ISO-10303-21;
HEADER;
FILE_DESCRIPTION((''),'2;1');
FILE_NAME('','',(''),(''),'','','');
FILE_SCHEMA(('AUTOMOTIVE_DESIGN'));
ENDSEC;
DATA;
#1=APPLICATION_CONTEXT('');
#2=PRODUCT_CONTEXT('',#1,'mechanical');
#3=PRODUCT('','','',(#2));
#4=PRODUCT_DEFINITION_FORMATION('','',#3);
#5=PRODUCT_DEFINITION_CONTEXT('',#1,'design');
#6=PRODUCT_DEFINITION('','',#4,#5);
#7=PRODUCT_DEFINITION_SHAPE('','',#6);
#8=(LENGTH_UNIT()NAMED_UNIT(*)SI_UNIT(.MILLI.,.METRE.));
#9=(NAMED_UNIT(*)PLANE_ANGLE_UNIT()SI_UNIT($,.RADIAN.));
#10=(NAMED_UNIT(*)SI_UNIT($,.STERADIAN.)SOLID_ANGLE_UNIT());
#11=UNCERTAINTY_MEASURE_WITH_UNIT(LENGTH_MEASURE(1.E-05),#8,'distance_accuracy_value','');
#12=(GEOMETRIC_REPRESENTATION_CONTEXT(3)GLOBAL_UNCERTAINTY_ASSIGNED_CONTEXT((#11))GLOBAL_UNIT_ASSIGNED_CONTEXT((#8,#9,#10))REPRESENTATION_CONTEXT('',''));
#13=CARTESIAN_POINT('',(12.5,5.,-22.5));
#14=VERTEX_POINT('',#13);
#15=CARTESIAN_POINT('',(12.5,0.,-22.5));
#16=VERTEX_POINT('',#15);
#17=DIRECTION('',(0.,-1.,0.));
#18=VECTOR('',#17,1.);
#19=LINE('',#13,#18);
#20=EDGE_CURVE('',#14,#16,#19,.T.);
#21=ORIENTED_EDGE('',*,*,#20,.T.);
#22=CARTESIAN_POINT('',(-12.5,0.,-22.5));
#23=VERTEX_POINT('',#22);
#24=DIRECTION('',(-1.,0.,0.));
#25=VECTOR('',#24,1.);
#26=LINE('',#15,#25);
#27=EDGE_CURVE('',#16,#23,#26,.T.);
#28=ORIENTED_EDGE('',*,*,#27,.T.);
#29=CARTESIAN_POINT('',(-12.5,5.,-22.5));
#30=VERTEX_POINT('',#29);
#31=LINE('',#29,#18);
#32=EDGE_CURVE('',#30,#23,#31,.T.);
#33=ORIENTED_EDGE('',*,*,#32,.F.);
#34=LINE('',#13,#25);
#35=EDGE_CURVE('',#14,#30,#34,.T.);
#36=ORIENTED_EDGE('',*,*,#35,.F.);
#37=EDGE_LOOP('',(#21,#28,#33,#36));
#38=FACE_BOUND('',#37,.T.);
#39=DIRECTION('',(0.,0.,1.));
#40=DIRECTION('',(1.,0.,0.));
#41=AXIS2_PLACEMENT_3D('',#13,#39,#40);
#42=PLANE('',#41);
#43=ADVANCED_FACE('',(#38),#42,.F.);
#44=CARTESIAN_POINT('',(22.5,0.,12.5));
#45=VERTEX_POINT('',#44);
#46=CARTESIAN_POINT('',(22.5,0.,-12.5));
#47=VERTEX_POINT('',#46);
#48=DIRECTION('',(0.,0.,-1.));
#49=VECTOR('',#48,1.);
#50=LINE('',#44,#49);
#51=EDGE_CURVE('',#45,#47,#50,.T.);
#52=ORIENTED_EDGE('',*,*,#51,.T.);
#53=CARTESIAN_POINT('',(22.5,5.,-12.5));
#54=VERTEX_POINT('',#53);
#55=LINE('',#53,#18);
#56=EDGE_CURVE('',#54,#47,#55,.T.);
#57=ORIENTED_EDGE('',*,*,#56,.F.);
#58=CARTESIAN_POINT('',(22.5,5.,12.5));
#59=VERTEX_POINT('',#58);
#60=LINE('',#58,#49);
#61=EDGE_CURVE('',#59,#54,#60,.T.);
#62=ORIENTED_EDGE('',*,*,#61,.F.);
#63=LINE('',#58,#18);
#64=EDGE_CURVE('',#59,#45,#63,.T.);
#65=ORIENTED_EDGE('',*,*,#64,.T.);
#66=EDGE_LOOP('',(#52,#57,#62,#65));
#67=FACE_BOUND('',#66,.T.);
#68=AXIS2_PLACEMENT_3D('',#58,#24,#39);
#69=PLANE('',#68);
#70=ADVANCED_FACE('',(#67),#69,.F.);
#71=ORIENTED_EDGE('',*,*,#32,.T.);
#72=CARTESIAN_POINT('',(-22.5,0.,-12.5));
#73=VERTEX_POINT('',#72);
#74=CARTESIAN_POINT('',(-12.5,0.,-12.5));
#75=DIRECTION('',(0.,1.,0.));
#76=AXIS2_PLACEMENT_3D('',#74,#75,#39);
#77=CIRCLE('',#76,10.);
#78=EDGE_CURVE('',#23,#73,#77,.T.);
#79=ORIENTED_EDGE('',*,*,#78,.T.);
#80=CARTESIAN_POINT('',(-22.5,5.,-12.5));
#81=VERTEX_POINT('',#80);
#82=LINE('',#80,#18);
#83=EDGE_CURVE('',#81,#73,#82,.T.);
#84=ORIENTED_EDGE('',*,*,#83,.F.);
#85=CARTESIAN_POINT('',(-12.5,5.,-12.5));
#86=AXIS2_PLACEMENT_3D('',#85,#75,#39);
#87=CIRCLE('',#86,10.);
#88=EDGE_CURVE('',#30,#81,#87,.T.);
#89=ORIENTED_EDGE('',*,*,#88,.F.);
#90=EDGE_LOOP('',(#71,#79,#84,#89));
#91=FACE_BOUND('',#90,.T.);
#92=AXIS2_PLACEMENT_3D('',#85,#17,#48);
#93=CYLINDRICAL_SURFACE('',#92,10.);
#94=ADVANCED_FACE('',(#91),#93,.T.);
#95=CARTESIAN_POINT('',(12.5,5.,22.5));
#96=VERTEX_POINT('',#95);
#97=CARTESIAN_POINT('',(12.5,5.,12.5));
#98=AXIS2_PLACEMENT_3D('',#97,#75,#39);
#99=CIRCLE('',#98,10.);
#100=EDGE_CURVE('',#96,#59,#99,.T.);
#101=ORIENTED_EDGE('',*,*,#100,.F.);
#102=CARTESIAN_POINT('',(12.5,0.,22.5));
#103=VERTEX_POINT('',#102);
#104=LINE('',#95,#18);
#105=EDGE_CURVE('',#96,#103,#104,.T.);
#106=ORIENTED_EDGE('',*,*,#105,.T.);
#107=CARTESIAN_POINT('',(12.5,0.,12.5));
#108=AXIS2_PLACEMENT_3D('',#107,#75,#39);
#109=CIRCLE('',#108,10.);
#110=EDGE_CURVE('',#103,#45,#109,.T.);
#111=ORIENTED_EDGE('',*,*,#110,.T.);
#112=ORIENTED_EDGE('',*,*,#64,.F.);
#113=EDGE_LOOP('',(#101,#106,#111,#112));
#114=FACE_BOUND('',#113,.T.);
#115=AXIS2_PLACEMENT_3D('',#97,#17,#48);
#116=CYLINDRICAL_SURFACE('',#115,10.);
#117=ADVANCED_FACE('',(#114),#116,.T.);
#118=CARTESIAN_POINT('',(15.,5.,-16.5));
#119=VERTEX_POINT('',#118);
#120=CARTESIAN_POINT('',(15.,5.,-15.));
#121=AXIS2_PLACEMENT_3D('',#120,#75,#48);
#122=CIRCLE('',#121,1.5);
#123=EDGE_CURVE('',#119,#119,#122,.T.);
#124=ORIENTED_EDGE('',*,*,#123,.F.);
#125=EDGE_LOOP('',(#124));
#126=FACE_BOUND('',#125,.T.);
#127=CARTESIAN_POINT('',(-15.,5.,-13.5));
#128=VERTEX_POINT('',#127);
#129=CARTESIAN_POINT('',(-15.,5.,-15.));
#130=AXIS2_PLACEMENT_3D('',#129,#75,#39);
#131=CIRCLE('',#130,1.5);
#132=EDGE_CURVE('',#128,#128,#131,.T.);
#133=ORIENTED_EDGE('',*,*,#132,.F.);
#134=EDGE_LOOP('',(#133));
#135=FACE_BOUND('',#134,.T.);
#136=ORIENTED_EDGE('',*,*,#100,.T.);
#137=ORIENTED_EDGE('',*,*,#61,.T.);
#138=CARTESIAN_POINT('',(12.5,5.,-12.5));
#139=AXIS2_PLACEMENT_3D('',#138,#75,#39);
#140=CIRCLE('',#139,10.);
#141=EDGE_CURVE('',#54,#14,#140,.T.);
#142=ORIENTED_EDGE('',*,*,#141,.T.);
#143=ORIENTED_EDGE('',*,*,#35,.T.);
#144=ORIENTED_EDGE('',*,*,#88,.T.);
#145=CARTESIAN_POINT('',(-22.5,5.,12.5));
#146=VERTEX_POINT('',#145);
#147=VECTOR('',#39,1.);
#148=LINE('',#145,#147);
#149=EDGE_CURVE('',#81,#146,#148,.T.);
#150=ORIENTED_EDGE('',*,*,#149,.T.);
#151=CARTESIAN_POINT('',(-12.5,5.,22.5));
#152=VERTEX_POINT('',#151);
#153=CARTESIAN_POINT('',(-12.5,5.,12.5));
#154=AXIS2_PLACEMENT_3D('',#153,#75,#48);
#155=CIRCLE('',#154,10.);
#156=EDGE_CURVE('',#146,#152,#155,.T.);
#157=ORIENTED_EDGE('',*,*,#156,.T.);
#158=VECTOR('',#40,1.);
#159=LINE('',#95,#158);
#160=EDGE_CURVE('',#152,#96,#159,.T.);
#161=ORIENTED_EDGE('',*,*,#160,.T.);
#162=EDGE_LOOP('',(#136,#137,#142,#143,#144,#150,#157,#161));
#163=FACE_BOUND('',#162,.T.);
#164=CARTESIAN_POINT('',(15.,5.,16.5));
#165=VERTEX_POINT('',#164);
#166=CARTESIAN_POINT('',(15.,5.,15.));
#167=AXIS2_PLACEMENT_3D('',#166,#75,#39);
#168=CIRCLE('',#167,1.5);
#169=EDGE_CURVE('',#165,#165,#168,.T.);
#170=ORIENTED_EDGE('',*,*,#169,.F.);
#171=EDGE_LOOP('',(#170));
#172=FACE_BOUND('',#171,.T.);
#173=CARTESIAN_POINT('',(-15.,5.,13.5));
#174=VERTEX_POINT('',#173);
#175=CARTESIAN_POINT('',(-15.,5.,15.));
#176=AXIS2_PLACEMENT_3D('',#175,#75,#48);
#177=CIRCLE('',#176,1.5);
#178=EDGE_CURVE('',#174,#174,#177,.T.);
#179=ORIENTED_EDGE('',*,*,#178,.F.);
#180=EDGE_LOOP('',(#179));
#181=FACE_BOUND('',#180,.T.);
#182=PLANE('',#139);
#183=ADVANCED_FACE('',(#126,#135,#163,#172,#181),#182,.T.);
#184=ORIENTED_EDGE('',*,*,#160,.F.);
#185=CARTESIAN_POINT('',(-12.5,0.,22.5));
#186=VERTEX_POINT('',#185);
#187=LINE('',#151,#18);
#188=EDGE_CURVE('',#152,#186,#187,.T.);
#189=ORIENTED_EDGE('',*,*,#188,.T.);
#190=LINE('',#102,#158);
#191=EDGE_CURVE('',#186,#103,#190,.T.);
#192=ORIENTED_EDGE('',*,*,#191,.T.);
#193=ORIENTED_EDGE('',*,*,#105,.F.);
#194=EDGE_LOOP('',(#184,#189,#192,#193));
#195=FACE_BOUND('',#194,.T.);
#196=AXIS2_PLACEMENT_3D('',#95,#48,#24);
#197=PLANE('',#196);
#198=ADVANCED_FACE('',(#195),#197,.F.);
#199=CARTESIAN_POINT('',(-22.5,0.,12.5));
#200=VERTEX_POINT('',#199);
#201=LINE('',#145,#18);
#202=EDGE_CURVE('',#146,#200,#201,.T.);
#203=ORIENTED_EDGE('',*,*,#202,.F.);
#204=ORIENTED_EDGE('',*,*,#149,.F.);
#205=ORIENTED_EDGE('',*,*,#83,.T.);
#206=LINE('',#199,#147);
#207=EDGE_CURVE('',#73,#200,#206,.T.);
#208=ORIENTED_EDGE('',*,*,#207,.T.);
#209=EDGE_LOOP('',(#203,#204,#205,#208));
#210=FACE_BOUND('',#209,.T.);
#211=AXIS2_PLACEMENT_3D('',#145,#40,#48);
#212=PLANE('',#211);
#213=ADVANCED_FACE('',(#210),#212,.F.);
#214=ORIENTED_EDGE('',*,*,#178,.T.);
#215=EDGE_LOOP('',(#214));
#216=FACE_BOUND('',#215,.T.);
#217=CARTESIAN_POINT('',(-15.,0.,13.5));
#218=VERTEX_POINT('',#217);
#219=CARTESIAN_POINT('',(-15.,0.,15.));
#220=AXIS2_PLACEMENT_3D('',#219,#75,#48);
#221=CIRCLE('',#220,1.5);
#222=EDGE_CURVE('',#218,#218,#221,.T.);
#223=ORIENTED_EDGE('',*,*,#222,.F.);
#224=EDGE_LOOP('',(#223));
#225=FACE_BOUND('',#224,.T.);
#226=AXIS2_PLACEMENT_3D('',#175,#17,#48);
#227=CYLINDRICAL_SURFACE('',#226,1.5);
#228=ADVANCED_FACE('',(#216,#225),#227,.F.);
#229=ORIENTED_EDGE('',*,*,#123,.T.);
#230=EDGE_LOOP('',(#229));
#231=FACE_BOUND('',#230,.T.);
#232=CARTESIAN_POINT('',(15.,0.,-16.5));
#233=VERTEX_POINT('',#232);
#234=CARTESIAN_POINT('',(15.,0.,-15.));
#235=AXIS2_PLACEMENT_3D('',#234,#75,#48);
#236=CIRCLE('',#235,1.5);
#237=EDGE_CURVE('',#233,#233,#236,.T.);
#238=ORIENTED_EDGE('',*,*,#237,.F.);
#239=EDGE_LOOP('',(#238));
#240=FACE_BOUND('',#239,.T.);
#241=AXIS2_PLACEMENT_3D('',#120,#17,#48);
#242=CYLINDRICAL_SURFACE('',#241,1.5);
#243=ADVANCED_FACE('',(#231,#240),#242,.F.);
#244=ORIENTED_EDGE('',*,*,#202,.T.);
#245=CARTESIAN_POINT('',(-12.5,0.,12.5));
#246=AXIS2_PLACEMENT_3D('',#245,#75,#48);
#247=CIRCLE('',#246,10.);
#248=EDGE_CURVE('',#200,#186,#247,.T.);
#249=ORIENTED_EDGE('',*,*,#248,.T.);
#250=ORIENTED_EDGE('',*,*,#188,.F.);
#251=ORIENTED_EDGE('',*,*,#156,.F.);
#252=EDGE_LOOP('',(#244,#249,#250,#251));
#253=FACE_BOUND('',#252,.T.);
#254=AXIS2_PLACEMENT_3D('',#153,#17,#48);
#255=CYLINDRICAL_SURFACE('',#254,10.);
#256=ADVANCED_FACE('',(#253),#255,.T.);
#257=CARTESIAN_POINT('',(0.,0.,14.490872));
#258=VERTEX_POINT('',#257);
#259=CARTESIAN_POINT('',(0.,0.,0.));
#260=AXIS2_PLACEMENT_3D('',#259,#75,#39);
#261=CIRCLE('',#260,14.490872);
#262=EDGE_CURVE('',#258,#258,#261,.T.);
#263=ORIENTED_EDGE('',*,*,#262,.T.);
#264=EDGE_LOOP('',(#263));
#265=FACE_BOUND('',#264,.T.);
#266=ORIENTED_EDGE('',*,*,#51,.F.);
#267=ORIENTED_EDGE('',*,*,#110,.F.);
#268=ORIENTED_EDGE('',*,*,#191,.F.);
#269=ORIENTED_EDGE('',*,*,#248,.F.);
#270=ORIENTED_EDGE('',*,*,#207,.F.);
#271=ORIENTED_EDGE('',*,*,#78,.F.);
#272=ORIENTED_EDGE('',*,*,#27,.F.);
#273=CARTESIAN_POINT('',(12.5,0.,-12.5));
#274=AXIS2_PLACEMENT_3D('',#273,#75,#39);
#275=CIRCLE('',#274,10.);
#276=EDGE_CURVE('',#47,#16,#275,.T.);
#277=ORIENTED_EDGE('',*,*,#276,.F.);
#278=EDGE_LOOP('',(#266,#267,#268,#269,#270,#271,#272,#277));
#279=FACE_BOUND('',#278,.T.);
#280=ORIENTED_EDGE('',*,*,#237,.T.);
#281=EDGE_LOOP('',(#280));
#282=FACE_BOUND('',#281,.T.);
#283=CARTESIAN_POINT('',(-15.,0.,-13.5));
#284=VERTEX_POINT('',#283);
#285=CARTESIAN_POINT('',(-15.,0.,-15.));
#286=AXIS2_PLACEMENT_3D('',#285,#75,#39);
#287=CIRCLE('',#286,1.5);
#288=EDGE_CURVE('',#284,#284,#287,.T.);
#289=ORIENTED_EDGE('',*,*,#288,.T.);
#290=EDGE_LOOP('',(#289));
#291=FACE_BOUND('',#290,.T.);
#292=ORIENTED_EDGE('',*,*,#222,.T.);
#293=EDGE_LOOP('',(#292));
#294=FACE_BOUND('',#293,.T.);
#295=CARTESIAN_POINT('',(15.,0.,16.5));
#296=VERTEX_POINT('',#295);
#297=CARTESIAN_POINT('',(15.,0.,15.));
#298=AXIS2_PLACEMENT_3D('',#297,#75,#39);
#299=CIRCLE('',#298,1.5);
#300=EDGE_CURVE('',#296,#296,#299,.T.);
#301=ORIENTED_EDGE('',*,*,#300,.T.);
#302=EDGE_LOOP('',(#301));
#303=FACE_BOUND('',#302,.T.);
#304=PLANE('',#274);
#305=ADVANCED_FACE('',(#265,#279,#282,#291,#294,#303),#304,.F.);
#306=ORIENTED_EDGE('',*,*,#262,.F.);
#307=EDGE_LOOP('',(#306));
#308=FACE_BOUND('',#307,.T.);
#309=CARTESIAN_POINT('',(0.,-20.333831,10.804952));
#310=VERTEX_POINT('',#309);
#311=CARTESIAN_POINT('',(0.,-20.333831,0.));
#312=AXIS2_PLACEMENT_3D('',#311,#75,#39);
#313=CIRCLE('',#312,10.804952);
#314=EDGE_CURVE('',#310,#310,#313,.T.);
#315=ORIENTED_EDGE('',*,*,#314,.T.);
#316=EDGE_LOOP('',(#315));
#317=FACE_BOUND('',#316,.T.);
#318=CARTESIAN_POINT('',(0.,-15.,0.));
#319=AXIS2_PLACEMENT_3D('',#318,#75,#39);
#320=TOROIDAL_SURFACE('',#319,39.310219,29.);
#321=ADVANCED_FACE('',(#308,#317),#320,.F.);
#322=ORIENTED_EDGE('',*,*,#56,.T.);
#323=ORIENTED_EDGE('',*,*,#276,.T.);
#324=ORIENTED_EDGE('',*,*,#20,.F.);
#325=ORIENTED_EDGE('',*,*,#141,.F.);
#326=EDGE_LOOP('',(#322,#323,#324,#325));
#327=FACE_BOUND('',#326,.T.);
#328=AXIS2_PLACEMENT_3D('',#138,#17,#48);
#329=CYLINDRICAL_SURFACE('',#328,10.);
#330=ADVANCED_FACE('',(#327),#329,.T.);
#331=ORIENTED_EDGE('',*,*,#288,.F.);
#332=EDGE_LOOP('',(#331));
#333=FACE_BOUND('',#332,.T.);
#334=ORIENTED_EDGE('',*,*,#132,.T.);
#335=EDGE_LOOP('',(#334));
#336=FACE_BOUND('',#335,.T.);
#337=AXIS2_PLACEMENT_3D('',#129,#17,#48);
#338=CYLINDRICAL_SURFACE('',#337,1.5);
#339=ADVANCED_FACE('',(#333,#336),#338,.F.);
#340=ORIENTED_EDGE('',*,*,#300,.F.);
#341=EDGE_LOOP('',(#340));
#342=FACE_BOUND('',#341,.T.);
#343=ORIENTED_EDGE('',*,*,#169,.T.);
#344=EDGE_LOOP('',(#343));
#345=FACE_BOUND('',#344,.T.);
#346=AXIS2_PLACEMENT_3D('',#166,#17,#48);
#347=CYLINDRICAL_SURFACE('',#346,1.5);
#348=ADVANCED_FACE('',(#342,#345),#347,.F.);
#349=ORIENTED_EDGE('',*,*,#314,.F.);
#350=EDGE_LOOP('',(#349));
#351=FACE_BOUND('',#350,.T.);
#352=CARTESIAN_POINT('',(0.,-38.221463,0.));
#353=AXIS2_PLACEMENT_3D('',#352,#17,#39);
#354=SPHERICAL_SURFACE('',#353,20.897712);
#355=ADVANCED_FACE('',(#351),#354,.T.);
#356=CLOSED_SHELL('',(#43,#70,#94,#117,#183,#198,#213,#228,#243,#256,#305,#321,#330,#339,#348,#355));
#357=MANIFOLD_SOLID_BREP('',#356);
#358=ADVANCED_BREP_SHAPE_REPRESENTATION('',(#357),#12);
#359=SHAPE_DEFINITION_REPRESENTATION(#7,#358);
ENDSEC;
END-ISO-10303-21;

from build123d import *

# Parameters (mm, degrees)
SKETCH1_R           = 1.5
BOSS_EXTRUDE1_DEPTH = 5


with BuildPart() as part:
    # Sketch1 → Boss-Extrude1 (new body)
    with BuildSketch(Plane(origin=(0, 0, 0), x_dir=(1, 0, 0), z_dir=(0, 1, 0))):
        with BuildLine():
            Line((12.5, -22.5), (-12.5, -22.5))
            ThreePointArc((-12.5, -22.5), (-19.571067812, -19.571067812), (-22.5, -12.5))
            Line((-22.5, -12.5), (-22.5, 12.5))
            ThreePointArc((-22.5, 12.5), (-19.571067812, 19.571067812), (-12.5, 22.5))
            Line((-12.5, 22.5), (12.5, 22.5))
            ThreePointArc((12.5, 22.5), (19.571067812, 19.571067812), (22.5, 12.5))
            Line((22.5, 12.5), (22.5, -12.5))
            ThreePointArc((22.5, -12.5), (19.571067812, -19.571067812), (12.5, -22.5))
        make_face()
        with Locations(Location((-15, 15, 0), (0, 0, 270))):
            Circle(SKETCH1_R, mode=Mode.SUBTRACT)
        with Locations(Location((15, 15, 0), (0, 0, 90))):
            Circle(SKETCH1_R, mode=Mode.SUBTRACT)
        with Locations(Location((15, -15, 0), (0, 0, 270))):
            Circle(SKETCH1_R, mode=Mode.SUBTRACT)
        with Locations(Location((-15, -15, 0), (0, 0, 90))):
            Circle(SKETCH1_R, mode=Mode.SUBTRACT)
    extrude(amount=BOSS_EXTRUDE1_DEPTH)

    # Sketch5 → Revolve5 (revolve)
    with BuildSketch(Plane.XY, mode=Mode.PRIVATE) as revolve5_sk:
        with BuildLine():
            Line((0, 0), (0, -30))
            Line((0, -30), (-14.490872109, -30))
            ThreePointArc((-14.490872109, -30), (-10.310219401, -15), (-14.490872109, 0))
            Line((-14.490872109, 0), (0, 0))
        make_face()
    revolve(revolve5_sk.sketch.rotate(Axis((0, 6.623218914, 0), (0, -1, 0)), 270), axis=Axis((0, 6.623218914, 0), (0, -1, 0)))

    # Sketch6 → Revolve6 (revolve)
    with BuildSketch(Plane(origin=(0, 0, 0), x_dir=(0, 0, -1), z_dir=(1, 0, 0))):
        with BuildLine():
            Line((0, -17.323751058), (0, -59.119175033))
            ThreePointArc((0, -59.119175033), (-20.897711988, -38.221463045), (0, -17.323751058))
        make_face()
    revolve(axis=Axis((0, -62.962580504, 0), (0, 1, 0)))


solid = part.part
